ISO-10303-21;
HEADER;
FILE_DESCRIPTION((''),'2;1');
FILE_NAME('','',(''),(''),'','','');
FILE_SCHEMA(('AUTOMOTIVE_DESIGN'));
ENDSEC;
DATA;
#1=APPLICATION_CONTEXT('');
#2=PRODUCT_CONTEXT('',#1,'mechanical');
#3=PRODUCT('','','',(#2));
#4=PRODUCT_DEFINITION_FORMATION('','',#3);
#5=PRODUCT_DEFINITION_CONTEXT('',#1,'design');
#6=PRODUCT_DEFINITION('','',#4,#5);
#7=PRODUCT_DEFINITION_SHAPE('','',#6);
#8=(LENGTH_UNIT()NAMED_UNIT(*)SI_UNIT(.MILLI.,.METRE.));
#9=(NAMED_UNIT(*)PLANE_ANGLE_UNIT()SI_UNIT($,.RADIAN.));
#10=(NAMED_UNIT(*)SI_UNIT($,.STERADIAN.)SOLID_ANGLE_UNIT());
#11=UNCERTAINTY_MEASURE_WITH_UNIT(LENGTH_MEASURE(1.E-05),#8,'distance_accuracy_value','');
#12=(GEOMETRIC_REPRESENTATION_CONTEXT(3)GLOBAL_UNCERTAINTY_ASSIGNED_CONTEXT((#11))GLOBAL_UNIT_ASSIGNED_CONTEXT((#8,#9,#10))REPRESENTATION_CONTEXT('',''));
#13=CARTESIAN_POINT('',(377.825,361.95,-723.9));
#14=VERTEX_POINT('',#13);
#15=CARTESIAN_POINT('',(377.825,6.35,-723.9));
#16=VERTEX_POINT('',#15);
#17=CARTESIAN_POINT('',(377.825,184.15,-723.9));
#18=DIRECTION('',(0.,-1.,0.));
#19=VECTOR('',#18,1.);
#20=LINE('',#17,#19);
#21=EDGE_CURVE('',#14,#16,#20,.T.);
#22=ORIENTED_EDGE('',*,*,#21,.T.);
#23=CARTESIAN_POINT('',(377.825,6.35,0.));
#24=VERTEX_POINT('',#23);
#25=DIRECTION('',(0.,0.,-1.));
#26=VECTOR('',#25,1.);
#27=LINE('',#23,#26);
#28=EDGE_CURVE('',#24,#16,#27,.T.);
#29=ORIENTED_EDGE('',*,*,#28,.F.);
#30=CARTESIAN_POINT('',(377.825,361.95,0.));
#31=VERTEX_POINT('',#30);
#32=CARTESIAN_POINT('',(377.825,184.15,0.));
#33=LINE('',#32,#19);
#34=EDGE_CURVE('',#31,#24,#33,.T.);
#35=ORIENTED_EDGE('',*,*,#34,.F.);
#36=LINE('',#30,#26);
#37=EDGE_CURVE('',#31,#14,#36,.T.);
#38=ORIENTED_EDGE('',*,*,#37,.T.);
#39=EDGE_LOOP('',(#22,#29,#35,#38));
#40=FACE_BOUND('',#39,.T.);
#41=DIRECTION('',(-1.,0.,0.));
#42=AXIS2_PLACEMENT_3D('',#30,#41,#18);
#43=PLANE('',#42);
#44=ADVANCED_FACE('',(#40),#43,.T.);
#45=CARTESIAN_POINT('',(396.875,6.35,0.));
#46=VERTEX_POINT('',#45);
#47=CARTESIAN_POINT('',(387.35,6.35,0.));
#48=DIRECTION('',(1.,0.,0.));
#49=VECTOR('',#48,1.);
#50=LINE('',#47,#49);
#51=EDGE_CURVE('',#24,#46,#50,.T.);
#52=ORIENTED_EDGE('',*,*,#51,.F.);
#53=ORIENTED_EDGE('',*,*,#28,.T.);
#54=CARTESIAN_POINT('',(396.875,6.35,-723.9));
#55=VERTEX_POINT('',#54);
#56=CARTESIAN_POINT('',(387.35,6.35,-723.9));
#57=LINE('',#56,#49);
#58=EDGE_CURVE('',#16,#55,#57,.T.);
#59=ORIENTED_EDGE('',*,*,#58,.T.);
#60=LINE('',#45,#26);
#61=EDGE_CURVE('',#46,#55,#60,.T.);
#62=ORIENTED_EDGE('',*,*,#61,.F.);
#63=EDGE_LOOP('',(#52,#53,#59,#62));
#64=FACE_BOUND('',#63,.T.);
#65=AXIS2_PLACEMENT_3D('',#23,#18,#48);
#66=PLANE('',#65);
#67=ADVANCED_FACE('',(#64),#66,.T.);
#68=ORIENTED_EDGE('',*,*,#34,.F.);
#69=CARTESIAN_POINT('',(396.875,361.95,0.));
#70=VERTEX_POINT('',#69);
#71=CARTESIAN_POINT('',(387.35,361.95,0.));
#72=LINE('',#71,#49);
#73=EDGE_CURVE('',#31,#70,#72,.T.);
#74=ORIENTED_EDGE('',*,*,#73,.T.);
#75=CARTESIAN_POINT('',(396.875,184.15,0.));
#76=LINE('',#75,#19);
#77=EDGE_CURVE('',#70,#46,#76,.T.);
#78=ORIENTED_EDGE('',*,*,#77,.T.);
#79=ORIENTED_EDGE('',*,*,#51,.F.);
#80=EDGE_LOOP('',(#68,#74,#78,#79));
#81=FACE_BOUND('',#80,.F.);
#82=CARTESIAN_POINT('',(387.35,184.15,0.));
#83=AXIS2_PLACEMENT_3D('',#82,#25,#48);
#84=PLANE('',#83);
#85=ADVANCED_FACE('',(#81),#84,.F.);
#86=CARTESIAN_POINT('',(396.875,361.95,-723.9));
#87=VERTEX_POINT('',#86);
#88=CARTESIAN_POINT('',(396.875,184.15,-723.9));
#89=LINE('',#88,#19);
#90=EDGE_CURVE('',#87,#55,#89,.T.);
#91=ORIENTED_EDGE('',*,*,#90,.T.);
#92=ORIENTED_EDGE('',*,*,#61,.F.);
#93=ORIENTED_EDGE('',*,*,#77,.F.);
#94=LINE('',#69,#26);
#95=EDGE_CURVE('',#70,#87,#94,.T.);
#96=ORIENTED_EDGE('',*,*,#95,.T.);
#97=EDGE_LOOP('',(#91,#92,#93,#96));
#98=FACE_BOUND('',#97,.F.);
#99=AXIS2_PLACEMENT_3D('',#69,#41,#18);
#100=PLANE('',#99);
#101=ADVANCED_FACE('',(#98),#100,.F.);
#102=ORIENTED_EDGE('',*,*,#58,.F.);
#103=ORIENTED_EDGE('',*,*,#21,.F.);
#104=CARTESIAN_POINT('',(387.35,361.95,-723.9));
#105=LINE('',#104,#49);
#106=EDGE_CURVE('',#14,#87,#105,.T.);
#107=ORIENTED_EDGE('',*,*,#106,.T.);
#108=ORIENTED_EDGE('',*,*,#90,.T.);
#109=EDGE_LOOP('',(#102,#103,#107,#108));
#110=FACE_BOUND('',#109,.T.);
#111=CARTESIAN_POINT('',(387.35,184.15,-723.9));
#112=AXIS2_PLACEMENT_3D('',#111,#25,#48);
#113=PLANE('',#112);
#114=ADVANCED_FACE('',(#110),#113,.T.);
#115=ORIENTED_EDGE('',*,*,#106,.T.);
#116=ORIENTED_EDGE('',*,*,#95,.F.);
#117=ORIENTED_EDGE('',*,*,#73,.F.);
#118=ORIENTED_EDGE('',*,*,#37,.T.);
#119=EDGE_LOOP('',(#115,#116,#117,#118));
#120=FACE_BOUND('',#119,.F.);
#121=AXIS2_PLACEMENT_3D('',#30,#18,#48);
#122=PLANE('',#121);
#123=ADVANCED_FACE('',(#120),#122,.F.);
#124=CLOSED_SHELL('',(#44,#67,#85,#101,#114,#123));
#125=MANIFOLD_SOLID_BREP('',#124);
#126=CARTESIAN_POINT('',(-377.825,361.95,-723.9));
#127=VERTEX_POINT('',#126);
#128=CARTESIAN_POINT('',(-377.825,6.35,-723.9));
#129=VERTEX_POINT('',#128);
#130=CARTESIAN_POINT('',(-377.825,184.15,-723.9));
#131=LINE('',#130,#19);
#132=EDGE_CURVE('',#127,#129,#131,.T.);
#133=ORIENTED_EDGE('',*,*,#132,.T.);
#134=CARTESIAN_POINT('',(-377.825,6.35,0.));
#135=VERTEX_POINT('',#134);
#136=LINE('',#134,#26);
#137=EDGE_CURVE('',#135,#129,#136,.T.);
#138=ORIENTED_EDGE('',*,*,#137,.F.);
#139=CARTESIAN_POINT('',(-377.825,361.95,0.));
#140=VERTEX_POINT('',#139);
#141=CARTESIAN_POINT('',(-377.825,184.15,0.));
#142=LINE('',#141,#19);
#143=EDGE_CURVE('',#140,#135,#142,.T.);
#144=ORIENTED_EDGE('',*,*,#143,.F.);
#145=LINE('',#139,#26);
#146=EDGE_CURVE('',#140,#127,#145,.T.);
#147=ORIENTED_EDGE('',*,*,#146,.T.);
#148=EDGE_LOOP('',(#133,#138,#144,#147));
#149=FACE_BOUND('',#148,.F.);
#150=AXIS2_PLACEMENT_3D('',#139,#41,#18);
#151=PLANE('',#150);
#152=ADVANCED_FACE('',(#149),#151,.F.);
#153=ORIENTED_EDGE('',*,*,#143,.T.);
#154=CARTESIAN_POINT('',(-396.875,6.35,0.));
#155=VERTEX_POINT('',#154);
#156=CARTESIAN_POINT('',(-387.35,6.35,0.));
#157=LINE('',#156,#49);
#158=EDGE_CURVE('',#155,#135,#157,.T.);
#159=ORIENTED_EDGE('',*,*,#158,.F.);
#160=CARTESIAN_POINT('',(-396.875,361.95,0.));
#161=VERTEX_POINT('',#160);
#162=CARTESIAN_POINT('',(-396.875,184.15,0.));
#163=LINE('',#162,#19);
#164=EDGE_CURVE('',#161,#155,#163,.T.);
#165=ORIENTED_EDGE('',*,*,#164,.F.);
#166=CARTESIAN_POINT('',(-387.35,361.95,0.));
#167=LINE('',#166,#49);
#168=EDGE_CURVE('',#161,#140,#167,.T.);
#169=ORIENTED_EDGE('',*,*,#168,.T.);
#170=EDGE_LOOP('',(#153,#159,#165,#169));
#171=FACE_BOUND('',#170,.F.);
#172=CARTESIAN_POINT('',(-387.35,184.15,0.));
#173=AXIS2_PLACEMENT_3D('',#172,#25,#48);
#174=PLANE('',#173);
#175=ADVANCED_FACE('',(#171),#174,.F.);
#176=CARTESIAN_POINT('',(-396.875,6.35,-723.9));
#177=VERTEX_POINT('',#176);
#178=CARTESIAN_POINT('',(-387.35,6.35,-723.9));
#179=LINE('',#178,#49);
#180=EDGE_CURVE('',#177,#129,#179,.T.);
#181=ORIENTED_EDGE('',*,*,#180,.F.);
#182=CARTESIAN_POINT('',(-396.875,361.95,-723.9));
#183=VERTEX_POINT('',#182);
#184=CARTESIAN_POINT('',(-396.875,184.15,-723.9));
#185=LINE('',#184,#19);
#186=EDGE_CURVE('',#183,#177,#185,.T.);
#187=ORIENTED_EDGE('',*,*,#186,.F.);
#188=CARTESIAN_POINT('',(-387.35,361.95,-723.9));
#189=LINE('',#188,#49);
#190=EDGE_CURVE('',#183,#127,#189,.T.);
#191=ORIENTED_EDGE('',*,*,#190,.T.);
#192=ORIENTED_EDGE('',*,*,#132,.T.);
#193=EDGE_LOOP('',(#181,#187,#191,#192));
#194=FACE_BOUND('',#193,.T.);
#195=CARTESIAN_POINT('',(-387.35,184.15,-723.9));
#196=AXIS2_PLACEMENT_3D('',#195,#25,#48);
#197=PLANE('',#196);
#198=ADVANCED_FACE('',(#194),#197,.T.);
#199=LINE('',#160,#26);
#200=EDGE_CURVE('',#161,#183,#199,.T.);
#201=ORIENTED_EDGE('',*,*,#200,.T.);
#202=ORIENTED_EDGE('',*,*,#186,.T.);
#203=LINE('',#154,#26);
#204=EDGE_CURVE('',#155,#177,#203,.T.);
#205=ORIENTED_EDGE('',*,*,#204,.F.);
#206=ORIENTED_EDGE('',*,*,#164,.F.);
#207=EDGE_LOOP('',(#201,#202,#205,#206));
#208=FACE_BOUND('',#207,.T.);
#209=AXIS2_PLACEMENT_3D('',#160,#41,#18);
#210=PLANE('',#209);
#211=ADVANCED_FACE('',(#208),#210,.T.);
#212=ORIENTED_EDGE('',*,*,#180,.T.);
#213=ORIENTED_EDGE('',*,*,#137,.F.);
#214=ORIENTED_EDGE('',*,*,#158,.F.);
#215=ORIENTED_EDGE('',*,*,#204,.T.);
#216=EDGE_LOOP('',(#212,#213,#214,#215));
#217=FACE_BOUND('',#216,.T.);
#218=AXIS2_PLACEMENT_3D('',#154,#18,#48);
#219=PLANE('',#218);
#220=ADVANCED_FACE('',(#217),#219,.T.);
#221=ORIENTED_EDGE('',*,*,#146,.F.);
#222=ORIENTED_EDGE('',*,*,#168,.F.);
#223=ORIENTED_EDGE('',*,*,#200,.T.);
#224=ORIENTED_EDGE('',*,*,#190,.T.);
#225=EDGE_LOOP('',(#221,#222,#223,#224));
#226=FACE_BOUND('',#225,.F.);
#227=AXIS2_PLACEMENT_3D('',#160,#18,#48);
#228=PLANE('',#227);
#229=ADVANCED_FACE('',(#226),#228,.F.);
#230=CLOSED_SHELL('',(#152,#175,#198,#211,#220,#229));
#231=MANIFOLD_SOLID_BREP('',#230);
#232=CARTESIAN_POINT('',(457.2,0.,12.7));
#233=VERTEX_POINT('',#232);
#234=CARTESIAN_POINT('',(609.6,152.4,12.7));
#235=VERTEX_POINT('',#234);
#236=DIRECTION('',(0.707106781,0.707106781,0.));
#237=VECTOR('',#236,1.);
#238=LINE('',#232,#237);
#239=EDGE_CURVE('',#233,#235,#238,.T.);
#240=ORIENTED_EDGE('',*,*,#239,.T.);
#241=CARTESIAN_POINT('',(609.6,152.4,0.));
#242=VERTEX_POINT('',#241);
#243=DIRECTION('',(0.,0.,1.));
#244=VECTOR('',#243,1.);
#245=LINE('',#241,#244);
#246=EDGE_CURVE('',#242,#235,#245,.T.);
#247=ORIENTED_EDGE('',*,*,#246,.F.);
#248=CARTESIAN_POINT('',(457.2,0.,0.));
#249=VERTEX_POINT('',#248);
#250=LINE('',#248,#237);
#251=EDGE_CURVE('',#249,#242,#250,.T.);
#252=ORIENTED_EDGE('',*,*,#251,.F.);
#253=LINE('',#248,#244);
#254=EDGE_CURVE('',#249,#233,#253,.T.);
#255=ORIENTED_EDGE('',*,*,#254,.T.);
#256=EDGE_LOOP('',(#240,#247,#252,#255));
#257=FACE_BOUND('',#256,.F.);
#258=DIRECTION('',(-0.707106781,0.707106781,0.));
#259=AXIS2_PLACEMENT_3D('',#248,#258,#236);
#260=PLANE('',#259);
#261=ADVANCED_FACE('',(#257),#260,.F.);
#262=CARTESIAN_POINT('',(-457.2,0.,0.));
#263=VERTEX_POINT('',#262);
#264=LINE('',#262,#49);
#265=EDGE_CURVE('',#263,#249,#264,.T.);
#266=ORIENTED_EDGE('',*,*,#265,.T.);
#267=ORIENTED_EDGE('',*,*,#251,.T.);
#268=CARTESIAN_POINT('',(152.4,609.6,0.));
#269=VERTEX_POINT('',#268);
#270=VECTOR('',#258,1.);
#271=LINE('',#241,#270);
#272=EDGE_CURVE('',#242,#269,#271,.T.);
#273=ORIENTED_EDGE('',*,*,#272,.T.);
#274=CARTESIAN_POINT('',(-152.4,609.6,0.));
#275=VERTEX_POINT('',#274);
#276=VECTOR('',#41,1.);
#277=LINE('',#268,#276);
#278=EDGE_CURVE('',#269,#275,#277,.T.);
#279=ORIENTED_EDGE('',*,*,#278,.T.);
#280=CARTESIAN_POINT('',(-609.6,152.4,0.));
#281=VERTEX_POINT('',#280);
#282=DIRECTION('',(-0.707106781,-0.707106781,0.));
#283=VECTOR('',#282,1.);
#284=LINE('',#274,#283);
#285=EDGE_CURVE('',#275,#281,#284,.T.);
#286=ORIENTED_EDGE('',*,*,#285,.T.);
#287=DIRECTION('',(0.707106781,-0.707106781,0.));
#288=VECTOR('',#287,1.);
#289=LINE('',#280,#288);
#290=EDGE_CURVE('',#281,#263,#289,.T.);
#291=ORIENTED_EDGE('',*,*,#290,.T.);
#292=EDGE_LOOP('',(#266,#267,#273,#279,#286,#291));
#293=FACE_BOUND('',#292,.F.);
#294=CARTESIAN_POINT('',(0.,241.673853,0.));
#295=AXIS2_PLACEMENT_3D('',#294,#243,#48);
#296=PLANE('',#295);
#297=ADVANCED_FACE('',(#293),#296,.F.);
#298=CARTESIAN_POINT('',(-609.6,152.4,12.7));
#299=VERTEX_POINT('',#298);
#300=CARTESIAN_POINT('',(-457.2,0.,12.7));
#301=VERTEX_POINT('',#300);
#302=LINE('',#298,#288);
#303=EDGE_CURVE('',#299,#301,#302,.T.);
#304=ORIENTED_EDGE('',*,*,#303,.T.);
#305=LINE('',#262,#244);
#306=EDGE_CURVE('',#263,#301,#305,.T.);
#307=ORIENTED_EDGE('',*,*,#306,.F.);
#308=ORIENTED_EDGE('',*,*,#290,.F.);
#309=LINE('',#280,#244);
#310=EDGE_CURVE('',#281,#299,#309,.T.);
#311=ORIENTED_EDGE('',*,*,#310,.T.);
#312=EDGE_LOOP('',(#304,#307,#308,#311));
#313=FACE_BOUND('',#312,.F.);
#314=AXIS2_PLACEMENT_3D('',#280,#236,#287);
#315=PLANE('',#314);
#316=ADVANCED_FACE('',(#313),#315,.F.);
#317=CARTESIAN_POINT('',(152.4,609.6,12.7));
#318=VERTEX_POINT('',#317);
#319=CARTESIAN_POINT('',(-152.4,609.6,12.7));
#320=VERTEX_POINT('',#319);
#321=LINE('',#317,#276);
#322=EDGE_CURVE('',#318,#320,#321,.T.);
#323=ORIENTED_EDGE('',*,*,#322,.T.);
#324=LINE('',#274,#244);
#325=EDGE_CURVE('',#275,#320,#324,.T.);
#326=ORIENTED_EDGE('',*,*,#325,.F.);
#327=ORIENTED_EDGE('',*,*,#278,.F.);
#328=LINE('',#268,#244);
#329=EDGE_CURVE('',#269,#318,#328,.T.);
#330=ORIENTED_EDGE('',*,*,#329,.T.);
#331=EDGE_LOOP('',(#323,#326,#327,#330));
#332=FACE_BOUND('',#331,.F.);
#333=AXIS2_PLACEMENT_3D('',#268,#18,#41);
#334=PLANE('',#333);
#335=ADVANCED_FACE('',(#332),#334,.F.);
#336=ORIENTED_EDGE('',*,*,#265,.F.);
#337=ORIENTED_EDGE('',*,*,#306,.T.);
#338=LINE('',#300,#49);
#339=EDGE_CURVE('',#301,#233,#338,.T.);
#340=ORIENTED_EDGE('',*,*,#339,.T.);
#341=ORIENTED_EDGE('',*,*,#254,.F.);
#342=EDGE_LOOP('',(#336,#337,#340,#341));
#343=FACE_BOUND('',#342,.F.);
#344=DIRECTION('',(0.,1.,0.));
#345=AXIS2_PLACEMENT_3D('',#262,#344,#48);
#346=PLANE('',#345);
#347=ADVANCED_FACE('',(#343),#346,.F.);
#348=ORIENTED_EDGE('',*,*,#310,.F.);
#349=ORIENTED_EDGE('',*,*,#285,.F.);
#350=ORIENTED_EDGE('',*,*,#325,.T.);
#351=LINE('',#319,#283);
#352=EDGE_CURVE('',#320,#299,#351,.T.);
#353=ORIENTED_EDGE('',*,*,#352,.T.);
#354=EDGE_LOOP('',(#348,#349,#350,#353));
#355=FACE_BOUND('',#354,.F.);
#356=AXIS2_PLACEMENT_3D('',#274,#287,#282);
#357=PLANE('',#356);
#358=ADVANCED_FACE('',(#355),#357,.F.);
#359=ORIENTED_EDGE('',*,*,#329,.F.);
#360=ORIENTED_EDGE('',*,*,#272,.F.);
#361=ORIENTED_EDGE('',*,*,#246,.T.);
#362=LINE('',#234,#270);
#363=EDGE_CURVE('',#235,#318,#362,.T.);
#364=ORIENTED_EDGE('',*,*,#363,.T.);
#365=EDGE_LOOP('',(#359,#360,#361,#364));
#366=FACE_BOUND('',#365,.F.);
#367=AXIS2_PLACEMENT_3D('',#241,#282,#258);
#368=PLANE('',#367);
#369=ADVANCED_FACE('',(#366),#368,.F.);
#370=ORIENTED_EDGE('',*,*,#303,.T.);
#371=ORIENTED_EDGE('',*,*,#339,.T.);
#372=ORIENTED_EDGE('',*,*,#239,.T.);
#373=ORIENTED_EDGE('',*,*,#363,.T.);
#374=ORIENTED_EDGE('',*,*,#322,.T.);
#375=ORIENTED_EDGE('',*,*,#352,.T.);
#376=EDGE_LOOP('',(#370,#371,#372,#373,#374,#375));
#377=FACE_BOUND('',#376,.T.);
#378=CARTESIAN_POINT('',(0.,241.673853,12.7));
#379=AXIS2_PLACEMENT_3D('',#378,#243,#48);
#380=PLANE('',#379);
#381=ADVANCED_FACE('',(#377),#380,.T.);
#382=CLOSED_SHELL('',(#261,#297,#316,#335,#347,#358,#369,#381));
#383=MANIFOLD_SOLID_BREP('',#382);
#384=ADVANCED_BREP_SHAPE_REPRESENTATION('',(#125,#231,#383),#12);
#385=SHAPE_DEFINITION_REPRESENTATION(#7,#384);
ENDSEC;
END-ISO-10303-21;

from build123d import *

# Parameters (mm, degrees)
F1_DEPTH = 12.7
F2_W     = 19.05
F2_H     = 355.6
F3_DEPTH = 723.9


with BuildPart() as f1:
    # F0 (on Top) → F1 (new body)
    with BuildSketch(Plane.XY):
        Polygon((152.4, 609.6), (-152.4, 609.6), (-609.6, 152.4), (-457.2, 0), (457.2, 0), (609.6, 152.4), align=None)
    extrude(amount=F1_DEPTH)


with BuildPart() as f3:
    # F2 (on face) → F3 (new body)
    with BuildSketch(Plane(origin=(0, 0, 0), x_dir=(1, 0, 0), z_dir=(0, 0, -1))):
        with Locations((-387.35, -184.15)):
            Rectangle(F2_W, F2_H)
        with Locations((387.35, -184.15)):
            Rectangle(F2_W, F2_H)
    extrude(amount=F3_DEPTH)


solid = Compound([f1.part, f3.part])
